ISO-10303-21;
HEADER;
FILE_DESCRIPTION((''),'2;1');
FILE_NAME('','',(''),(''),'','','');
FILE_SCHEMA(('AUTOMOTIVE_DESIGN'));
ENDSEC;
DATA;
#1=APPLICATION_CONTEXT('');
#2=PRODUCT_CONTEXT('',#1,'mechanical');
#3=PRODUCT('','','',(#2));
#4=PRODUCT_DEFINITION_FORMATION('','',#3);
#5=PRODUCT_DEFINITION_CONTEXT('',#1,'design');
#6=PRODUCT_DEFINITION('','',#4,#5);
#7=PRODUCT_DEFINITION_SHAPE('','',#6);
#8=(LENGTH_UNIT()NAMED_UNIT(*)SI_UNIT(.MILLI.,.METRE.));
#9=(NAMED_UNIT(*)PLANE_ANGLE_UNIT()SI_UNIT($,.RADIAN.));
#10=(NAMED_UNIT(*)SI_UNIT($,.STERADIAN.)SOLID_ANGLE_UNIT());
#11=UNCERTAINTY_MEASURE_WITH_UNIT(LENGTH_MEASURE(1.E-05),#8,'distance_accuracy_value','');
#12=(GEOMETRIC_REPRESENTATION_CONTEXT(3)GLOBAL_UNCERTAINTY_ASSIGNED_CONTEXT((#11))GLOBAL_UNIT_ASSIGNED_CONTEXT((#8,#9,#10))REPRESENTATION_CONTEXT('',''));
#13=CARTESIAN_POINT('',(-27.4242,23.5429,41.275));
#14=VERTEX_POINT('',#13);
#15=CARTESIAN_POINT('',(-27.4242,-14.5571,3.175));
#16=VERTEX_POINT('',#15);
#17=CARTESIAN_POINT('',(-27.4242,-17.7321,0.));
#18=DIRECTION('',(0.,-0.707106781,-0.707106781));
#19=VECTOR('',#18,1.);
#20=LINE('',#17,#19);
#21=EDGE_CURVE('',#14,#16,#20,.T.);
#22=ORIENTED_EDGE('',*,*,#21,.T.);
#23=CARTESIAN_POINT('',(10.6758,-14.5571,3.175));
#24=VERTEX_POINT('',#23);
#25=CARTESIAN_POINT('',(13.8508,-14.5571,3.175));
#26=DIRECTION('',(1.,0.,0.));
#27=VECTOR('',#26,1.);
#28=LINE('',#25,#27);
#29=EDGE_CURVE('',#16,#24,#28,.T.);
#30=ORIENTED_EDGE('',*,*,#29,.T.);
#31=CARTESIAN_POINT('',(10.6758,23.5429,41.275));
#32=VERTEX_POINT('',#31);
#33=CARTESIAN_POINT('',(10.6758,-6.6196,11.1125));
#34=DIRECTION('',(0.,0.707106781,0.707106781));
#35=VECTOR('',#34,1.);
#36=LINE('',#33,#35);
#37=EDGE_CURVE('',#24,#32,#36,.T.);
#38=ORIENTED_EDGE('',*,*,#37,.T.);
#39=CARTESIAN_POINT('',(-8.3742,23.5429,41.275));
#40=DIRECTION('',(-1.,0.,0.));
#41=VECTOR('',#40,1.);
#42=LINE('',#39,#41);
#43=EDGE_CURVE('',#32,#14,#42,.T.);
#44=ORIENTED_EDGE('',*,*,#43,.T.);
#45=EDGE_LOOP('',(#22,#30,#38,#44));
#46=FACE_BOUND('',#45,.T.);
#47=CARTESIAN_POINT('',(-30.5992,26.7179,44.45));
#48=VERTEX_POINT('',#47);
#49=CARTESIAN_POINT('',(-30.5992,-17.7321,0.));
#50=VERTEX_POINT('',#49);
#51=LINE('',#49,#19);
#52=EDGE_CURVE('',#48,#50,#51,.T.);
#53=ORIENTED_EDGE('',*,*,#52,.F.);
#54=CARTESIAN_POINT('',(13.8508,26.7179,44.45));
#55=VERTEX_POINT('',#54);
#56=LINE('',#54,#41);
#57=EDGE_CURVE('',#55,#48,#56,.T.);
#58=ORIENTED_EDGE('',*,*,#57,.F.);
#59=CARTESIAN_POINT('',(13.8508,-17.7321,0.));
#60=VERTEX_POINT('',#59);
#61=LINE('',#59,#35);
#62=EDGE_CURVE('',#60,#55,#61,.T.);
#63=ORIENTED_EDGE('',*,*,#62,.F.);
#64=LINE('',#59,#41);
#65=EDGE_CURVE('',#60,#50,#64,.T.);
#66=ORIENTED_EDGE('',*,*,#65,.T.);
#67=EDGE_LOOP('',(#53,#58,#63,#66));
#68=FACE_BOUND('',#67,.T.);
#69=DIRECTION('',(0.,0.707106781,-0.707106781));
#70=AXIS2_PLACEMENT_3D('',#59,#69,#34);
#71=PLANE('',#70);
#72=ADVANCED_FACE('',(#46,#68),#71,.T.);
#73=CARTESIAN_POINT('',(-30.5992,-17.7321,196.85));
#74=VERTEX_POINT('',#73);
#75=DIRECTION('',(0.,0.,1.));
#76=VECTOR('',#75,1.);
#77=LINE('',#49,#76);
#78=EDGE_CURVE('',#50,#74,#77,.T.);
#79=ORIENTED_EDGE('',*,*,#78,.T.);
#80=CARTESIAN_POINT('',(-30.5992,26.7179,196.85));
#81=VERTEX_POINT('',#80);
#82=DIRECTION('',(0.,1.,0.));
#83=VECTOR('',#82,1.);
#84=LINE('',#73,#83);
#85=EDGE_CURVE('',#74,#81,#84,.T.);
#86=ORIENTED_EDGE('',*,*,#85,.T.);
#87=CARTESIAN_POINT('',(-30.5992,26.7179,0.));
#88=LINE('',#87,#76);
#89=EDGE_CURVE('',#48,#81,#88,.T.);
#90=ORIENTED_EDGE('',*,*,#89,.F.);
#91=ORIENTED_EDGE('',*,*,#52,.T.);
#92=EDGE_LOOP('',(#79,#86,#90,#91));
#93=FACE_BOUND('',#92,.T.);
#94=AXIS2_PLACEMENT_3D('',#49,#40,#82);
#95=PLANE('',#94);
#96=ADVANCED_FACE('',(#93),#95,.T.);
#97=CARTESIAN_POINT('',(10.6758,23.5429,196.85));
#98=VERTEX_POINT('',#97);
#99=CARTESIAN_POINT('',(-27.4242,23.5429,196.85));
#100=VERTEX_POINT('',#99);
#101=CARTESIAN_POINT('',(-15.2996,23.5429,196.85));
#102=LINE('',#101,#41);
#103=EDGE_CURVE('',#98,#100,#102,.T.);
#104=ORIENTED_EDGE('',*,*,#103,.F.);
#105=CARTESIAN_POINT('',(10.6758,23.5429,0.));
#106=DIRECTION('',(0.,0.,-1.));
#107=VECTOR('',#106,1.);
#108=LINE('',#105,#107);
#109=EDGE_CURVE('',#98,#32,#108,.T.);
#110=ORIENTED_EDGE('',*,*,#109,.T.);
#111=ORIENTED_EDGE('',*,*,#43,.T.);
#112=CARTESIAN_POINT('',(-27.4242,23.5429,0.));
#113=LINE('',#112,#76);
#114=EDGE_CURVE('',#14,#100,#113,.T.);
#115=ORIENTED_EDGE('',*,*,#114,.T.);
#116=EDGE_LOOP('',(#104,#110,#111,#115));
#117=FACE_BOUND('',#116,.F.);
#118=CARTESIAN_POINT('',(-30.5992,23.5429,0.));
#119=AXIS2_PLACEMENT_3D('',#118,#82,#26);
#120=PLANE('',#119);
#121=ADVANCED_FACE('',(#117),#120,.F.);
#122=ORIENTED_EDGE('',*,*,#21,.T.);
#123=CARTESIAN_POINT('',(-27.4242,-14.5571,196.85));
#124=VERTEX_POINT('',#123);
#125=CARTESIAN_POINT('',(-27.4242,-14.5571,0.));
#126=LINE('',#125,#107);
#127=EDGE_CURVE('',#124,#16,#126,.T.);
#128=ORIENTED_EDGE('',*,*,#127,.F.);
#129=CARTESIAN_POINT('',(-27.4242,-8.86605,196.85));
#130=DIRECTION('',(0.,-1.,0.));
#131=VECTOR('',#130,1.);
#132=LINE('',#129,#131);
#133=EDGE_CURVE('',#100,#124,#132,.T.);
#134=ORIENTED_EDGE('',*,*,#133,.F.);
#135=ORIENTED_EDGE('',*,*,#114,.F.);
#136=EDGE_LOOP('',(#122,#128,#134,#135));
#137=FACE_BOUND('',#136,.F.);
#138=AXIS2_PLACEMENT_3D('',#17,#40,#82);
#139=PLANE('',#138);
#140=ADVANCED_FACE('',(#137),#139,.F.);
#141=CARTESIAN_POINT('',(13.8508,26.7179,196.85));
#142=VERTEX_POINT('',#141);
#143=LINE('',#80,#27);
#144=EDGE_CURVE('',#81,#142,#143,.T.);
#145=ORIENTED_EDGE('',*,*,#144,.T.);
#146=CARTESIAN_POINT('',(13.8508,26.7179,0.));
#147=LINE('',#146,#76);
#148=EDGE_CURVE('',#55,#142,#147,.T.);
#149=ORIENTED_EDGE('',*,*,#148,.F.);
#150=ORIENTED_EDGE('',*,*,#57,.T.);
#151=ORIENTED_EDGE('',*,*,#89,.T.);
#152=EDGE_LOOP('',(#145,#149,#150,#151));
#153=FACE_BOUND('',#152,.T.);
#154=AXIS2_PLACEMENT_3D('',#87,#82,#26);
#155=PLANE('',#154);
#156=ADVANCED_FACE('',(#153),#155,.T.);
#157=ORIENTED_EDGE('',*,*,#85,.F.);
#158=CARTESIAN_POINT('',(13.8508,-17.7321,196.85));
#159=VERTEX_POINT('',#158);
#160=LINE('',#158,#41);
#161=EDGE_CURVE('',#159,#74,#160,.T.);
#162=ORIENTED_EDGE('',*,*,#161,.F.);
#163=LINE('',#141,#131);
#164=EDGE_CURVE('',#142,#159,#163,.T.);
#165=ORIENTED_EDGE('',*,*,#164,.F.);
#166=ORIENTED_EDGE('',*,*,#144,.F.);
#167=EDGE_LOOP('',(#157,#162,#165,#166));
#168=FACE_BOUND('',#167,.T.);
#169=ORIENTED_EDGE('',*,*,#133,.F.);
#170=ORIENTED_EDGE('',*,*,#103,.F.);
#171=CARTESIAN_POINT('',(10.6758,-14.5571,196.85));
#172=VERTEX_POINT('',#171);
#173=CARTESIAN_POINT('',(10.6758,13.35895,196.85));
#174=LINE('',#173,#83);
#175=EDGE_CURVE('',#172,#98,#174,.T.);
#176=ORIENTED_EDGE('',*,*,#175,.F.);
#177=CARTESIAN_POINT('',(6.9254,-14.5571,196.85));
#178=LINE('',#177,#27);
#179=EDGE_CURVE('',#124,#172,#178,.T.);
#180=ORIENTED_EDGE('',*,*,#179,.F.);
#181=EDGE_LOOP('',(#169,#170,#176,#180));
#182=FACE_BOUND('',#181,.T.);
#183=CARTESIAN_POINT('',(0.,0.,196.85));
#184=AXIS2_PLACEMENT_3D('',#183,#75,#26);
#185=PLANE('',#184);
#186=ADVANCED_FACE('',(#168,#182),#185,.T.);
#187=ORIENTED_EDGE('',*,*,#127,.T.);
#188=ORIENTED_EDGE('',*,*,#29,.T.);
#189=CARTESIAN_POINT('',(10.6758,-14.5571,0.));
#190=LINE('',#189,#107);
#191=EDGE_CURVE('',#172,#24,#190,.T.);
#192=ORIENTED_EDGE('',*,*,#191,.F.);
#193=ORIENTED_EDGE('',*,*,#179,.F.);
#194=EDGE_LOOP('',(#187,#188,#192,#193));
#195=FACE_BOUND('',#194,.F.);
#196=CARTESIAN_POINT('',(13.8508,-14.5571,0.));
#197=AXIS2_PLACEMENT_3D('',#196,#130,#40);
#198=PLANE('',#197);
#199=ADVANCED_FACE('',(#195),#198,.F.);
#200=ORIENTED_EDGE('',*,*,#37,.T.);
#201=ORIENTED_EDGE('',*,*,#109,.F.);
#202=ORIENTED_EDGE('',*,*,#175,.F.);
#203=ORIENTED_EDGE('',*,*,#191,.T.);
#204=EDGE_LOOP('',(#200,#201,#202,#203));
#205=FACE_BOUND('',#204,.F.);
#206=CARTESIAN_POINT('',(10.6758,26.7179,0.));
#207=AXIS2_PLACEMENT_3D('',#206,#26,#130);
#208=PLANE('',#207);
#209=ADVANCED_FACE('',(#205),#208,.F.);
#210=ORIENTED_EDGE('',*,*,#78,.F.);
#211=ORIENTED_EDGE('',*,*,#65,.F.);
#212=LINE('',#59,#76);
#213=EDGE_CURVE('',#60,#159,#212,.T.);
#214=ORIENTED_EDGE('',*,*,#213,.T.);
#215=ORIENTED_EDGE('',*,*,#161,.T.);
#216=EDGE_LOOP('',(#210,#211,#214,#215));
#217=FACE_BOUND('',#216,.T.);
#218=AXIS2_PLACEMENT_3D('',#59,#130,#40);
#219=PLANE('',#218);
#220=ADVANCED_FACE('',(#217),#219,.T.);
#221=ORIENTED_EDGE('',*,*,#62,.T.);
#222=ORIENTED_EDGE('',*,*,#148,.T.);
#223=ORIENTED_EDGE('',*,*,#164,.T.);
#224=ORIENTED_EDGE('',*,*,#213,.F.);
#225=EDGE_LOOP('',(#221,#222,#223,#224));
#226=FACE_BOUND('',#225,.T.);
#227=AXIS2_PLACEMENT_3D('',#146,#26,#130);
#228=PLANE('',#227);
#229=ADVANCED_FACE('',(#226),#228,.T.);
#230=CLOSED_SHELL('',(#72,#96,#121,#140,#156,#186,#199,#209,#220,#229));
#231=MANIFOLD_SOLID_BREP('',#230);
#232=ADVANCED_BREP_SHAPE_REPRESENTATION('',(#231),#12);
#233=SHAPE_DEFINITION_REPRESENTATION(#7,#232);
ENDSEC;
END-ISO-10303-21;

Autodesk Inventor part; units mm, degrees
ref_plane "YZ Plane" through (0, 0, 0) normal (1, 0, 0) x (0, 1, 0)
ref_plane "XZ Plane" through (0, 0, 0) normal (0, 1, 0) x (-1, 0, 0)
ref_plane "XY Plane" through (0, 0, 0) normal (0, 0, 1) x (1, 0, 0)
sketch "Sketch1" plane through (0, 0, 0) normal (0, 0, 1) x (1, 0, 0)
  line L0 (-30.5992, 26.7179) -> (13.8508, 26.7179)
  line L1 (13.8508, 26.7179) -> (13.8508, -17.7321)
  line L2 (13.8508, -17.7321) -> (-30.5992, -17.7321)
  line L3 (-30.5992, -17.7321) -> (-30.5992, 26.7179)
  dimension "d0" = 44.45
  dimension "d1" = 44.45
extrude "Extrusion1" add sketch "Sketch1" along normal blind 196.85
shell "Shell1" thickness 3.175 removed faces 2 at (-15.7825, -2.9154, 0) at (-15.7825, -2.9154, 196.85)
sketch "Sketch2" plane through (13.8508, -17.7321, 0) normal (1, 0, 0) x (0, 0, -1)
  line L0 (0, 0) -> (-196.85, 0) projected
  line L1 (0, 44.45) -> (0, 0) projected
  line L2 (0, 44.45) -> (-196.85, 44.45) projected
  line L3 (0, 0) -> (-44.45, 44.45)
  dimension "d5" = 45
extrude "Extrusion2" cut sketch "Sketch2" against normal through all
properties part number "FE-00001-01"
